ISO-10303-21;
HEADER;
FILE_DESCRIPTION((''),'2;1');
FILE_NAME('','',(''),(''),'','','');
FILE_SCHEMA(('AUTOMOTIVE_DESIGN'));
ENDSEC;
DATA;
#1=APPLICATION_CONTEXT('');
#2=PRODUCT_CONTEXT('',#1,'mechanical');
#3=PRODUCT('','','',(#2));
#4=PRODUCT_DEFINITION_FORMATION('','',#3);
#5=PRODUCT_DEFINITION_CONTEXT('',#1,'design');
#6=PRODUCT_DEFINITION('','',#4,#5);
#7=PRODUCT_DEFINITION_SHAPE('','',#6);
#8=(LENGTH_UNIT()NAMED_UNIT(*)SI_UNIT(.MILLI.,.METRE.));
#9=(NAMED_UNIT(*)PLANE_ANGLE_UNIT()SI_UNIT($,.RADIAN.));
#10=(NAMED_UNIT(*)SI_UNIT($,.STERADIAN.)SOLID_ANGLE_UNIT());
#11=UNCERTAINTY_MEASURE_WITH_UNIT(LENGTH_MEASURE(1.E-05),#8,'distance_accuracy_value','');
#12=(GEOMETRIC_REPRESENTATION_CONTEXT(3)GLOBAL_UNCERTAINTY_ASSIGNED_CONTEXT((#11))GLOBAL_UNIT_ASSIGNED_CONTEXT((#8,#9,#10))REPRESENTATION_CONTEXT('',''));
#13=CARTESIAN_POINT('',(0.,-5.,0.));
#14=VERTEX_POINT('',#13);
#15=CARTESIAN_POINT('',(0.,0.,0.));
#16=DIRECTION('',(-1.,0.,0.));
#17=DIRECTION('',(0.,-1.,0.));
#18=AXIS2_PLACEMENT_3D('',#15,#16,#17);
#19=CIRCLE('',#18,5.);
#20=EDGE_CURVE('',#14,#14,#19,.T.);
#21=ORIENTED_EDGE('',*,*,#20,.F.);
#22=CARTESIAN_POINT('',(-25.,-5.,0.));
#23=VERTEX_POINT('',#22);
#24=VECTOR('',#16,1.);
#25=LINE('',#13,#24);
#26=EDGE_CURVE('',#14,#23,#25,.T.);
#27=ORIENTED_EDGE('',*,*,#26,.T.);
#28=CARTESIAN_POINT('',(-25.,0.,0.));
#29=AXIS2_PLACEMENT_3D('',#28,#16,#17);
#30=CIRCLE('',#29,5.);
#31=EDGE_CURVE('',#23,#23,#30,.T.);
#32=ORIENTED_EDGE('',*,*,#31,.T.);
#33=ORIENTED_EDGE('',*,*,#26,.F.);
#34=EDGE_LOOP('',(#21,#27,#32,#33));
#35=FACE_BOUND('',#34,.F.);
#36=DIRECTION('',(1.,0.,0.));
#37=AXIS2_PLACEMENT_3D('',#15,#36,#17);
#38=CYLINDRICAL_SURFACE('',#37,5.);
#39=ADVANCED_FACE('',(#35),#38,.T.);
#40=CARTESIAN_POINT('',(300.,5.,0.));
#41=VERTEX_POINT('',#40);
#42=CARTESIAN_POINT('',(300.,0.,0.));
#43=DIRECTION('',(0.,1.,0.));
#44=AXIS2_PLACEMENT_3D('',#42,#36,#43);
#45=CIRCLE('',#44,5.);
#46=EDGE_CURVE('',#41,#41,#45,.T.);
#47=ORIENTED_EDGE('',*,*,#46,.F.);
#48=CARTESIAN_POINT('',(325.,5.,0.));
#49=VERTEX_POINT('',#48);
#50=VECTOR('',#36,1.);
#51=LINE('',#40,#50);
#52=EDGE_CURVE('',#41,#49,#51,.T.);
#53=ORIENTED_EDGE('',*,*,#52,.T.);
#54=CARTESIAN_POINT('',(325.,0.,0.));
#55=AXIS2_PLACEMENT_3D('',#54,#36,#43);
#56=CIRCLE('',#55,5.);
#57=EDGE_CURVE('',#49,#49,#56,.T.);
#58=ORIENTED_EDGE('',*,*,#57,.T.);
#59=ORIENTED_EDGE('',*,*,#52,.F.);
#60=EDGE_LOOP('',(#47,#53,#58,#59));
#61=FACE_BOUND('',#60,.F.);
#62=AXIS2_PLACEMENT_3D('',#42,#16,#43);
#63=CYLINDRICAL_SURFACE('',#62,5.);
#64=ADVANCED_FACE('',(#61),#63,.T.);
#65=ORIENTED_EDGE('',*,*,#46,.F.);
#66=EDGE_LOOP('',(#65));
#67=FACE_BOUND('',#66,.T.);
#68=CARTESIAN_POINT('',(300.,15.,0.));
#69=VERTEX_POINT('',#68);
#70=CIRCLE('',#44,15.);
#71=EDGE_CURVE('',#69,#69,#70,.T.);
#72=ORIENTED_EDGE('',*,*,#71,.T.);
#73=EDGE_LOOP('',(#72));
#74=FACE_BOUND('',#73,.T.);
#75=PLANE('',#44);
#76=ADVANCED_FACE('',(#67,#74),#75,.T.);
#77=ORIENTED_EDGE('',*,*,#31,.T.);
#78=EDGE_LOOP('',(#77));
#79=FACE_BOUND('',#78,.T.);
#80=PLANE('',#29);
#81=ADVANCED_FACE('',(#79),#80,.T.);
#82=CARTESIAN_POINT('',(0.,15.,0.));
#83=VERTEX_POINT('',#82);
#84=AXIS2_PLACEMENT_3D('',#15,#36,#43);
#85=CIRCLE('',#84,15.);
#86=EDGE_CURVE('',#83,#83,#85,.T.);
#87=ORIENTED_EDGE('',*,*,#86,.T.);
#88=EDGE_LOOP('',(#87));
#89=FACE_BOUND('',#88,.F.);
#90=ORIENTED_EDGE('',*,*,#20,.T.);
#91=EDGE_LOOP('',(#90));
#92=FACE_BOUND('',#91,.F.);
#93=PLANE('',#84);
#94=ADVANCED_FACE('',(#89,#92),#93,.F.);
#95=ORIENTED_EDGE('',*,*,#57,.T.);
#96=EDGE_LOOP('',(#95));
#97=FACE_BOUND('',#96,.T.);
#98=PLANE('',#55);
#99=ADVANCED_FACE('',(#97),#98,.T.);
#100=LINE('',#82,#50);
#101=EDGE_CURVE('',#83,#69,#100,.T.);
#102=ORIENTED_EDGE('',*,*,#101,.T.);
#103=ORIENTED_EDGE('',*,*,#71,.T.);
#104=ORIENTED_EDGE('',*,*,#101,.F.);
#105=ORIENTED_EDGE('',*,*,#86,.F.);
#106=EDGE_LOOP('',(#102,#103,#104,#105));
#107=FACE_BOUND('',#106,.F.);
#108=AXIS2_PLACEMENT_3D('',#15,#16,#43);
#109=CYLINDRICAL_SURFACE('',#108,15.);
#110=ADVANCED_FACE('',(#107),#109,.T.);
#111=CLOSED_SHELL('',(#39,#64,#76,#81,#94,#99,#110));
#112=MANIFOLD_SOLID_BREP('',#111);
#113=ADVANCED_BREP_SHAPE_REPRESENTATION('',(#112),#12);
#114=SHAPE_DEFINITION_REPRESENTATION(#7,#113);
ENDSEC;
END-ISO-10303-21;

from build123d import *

# Parameters (mm, degrees)
F0_R     = 15
F1_DEPTH = 300
F2_R     = 5
F3_DEPTH = 25
F4_R     = 5
F5_DEPTH = 25


with BuildPart() as f1:
    # F0 (on Right) → F1 (new body)
    with BuildSketch(Plane.YZ):
        Circle(F0_R)
    extrude(amount=F1_DEPTH)

    # F2 (on face) → F3 (join)
    with BuildSketch(Plane(origin=(0, 0, 0), x_dir=(0, -1, 0), z_dir=(-1, 0, 0))):
        Circle(F2_R)
    extrude(amount=F3_DEPTH)

    # F4 (on face) → F5 (join)
    with BuildSketch(Plane.YZ.offset(300)):
        Circle(F4_R)
    extrude(amount=F5_DEPTH)


solid = f1.part
